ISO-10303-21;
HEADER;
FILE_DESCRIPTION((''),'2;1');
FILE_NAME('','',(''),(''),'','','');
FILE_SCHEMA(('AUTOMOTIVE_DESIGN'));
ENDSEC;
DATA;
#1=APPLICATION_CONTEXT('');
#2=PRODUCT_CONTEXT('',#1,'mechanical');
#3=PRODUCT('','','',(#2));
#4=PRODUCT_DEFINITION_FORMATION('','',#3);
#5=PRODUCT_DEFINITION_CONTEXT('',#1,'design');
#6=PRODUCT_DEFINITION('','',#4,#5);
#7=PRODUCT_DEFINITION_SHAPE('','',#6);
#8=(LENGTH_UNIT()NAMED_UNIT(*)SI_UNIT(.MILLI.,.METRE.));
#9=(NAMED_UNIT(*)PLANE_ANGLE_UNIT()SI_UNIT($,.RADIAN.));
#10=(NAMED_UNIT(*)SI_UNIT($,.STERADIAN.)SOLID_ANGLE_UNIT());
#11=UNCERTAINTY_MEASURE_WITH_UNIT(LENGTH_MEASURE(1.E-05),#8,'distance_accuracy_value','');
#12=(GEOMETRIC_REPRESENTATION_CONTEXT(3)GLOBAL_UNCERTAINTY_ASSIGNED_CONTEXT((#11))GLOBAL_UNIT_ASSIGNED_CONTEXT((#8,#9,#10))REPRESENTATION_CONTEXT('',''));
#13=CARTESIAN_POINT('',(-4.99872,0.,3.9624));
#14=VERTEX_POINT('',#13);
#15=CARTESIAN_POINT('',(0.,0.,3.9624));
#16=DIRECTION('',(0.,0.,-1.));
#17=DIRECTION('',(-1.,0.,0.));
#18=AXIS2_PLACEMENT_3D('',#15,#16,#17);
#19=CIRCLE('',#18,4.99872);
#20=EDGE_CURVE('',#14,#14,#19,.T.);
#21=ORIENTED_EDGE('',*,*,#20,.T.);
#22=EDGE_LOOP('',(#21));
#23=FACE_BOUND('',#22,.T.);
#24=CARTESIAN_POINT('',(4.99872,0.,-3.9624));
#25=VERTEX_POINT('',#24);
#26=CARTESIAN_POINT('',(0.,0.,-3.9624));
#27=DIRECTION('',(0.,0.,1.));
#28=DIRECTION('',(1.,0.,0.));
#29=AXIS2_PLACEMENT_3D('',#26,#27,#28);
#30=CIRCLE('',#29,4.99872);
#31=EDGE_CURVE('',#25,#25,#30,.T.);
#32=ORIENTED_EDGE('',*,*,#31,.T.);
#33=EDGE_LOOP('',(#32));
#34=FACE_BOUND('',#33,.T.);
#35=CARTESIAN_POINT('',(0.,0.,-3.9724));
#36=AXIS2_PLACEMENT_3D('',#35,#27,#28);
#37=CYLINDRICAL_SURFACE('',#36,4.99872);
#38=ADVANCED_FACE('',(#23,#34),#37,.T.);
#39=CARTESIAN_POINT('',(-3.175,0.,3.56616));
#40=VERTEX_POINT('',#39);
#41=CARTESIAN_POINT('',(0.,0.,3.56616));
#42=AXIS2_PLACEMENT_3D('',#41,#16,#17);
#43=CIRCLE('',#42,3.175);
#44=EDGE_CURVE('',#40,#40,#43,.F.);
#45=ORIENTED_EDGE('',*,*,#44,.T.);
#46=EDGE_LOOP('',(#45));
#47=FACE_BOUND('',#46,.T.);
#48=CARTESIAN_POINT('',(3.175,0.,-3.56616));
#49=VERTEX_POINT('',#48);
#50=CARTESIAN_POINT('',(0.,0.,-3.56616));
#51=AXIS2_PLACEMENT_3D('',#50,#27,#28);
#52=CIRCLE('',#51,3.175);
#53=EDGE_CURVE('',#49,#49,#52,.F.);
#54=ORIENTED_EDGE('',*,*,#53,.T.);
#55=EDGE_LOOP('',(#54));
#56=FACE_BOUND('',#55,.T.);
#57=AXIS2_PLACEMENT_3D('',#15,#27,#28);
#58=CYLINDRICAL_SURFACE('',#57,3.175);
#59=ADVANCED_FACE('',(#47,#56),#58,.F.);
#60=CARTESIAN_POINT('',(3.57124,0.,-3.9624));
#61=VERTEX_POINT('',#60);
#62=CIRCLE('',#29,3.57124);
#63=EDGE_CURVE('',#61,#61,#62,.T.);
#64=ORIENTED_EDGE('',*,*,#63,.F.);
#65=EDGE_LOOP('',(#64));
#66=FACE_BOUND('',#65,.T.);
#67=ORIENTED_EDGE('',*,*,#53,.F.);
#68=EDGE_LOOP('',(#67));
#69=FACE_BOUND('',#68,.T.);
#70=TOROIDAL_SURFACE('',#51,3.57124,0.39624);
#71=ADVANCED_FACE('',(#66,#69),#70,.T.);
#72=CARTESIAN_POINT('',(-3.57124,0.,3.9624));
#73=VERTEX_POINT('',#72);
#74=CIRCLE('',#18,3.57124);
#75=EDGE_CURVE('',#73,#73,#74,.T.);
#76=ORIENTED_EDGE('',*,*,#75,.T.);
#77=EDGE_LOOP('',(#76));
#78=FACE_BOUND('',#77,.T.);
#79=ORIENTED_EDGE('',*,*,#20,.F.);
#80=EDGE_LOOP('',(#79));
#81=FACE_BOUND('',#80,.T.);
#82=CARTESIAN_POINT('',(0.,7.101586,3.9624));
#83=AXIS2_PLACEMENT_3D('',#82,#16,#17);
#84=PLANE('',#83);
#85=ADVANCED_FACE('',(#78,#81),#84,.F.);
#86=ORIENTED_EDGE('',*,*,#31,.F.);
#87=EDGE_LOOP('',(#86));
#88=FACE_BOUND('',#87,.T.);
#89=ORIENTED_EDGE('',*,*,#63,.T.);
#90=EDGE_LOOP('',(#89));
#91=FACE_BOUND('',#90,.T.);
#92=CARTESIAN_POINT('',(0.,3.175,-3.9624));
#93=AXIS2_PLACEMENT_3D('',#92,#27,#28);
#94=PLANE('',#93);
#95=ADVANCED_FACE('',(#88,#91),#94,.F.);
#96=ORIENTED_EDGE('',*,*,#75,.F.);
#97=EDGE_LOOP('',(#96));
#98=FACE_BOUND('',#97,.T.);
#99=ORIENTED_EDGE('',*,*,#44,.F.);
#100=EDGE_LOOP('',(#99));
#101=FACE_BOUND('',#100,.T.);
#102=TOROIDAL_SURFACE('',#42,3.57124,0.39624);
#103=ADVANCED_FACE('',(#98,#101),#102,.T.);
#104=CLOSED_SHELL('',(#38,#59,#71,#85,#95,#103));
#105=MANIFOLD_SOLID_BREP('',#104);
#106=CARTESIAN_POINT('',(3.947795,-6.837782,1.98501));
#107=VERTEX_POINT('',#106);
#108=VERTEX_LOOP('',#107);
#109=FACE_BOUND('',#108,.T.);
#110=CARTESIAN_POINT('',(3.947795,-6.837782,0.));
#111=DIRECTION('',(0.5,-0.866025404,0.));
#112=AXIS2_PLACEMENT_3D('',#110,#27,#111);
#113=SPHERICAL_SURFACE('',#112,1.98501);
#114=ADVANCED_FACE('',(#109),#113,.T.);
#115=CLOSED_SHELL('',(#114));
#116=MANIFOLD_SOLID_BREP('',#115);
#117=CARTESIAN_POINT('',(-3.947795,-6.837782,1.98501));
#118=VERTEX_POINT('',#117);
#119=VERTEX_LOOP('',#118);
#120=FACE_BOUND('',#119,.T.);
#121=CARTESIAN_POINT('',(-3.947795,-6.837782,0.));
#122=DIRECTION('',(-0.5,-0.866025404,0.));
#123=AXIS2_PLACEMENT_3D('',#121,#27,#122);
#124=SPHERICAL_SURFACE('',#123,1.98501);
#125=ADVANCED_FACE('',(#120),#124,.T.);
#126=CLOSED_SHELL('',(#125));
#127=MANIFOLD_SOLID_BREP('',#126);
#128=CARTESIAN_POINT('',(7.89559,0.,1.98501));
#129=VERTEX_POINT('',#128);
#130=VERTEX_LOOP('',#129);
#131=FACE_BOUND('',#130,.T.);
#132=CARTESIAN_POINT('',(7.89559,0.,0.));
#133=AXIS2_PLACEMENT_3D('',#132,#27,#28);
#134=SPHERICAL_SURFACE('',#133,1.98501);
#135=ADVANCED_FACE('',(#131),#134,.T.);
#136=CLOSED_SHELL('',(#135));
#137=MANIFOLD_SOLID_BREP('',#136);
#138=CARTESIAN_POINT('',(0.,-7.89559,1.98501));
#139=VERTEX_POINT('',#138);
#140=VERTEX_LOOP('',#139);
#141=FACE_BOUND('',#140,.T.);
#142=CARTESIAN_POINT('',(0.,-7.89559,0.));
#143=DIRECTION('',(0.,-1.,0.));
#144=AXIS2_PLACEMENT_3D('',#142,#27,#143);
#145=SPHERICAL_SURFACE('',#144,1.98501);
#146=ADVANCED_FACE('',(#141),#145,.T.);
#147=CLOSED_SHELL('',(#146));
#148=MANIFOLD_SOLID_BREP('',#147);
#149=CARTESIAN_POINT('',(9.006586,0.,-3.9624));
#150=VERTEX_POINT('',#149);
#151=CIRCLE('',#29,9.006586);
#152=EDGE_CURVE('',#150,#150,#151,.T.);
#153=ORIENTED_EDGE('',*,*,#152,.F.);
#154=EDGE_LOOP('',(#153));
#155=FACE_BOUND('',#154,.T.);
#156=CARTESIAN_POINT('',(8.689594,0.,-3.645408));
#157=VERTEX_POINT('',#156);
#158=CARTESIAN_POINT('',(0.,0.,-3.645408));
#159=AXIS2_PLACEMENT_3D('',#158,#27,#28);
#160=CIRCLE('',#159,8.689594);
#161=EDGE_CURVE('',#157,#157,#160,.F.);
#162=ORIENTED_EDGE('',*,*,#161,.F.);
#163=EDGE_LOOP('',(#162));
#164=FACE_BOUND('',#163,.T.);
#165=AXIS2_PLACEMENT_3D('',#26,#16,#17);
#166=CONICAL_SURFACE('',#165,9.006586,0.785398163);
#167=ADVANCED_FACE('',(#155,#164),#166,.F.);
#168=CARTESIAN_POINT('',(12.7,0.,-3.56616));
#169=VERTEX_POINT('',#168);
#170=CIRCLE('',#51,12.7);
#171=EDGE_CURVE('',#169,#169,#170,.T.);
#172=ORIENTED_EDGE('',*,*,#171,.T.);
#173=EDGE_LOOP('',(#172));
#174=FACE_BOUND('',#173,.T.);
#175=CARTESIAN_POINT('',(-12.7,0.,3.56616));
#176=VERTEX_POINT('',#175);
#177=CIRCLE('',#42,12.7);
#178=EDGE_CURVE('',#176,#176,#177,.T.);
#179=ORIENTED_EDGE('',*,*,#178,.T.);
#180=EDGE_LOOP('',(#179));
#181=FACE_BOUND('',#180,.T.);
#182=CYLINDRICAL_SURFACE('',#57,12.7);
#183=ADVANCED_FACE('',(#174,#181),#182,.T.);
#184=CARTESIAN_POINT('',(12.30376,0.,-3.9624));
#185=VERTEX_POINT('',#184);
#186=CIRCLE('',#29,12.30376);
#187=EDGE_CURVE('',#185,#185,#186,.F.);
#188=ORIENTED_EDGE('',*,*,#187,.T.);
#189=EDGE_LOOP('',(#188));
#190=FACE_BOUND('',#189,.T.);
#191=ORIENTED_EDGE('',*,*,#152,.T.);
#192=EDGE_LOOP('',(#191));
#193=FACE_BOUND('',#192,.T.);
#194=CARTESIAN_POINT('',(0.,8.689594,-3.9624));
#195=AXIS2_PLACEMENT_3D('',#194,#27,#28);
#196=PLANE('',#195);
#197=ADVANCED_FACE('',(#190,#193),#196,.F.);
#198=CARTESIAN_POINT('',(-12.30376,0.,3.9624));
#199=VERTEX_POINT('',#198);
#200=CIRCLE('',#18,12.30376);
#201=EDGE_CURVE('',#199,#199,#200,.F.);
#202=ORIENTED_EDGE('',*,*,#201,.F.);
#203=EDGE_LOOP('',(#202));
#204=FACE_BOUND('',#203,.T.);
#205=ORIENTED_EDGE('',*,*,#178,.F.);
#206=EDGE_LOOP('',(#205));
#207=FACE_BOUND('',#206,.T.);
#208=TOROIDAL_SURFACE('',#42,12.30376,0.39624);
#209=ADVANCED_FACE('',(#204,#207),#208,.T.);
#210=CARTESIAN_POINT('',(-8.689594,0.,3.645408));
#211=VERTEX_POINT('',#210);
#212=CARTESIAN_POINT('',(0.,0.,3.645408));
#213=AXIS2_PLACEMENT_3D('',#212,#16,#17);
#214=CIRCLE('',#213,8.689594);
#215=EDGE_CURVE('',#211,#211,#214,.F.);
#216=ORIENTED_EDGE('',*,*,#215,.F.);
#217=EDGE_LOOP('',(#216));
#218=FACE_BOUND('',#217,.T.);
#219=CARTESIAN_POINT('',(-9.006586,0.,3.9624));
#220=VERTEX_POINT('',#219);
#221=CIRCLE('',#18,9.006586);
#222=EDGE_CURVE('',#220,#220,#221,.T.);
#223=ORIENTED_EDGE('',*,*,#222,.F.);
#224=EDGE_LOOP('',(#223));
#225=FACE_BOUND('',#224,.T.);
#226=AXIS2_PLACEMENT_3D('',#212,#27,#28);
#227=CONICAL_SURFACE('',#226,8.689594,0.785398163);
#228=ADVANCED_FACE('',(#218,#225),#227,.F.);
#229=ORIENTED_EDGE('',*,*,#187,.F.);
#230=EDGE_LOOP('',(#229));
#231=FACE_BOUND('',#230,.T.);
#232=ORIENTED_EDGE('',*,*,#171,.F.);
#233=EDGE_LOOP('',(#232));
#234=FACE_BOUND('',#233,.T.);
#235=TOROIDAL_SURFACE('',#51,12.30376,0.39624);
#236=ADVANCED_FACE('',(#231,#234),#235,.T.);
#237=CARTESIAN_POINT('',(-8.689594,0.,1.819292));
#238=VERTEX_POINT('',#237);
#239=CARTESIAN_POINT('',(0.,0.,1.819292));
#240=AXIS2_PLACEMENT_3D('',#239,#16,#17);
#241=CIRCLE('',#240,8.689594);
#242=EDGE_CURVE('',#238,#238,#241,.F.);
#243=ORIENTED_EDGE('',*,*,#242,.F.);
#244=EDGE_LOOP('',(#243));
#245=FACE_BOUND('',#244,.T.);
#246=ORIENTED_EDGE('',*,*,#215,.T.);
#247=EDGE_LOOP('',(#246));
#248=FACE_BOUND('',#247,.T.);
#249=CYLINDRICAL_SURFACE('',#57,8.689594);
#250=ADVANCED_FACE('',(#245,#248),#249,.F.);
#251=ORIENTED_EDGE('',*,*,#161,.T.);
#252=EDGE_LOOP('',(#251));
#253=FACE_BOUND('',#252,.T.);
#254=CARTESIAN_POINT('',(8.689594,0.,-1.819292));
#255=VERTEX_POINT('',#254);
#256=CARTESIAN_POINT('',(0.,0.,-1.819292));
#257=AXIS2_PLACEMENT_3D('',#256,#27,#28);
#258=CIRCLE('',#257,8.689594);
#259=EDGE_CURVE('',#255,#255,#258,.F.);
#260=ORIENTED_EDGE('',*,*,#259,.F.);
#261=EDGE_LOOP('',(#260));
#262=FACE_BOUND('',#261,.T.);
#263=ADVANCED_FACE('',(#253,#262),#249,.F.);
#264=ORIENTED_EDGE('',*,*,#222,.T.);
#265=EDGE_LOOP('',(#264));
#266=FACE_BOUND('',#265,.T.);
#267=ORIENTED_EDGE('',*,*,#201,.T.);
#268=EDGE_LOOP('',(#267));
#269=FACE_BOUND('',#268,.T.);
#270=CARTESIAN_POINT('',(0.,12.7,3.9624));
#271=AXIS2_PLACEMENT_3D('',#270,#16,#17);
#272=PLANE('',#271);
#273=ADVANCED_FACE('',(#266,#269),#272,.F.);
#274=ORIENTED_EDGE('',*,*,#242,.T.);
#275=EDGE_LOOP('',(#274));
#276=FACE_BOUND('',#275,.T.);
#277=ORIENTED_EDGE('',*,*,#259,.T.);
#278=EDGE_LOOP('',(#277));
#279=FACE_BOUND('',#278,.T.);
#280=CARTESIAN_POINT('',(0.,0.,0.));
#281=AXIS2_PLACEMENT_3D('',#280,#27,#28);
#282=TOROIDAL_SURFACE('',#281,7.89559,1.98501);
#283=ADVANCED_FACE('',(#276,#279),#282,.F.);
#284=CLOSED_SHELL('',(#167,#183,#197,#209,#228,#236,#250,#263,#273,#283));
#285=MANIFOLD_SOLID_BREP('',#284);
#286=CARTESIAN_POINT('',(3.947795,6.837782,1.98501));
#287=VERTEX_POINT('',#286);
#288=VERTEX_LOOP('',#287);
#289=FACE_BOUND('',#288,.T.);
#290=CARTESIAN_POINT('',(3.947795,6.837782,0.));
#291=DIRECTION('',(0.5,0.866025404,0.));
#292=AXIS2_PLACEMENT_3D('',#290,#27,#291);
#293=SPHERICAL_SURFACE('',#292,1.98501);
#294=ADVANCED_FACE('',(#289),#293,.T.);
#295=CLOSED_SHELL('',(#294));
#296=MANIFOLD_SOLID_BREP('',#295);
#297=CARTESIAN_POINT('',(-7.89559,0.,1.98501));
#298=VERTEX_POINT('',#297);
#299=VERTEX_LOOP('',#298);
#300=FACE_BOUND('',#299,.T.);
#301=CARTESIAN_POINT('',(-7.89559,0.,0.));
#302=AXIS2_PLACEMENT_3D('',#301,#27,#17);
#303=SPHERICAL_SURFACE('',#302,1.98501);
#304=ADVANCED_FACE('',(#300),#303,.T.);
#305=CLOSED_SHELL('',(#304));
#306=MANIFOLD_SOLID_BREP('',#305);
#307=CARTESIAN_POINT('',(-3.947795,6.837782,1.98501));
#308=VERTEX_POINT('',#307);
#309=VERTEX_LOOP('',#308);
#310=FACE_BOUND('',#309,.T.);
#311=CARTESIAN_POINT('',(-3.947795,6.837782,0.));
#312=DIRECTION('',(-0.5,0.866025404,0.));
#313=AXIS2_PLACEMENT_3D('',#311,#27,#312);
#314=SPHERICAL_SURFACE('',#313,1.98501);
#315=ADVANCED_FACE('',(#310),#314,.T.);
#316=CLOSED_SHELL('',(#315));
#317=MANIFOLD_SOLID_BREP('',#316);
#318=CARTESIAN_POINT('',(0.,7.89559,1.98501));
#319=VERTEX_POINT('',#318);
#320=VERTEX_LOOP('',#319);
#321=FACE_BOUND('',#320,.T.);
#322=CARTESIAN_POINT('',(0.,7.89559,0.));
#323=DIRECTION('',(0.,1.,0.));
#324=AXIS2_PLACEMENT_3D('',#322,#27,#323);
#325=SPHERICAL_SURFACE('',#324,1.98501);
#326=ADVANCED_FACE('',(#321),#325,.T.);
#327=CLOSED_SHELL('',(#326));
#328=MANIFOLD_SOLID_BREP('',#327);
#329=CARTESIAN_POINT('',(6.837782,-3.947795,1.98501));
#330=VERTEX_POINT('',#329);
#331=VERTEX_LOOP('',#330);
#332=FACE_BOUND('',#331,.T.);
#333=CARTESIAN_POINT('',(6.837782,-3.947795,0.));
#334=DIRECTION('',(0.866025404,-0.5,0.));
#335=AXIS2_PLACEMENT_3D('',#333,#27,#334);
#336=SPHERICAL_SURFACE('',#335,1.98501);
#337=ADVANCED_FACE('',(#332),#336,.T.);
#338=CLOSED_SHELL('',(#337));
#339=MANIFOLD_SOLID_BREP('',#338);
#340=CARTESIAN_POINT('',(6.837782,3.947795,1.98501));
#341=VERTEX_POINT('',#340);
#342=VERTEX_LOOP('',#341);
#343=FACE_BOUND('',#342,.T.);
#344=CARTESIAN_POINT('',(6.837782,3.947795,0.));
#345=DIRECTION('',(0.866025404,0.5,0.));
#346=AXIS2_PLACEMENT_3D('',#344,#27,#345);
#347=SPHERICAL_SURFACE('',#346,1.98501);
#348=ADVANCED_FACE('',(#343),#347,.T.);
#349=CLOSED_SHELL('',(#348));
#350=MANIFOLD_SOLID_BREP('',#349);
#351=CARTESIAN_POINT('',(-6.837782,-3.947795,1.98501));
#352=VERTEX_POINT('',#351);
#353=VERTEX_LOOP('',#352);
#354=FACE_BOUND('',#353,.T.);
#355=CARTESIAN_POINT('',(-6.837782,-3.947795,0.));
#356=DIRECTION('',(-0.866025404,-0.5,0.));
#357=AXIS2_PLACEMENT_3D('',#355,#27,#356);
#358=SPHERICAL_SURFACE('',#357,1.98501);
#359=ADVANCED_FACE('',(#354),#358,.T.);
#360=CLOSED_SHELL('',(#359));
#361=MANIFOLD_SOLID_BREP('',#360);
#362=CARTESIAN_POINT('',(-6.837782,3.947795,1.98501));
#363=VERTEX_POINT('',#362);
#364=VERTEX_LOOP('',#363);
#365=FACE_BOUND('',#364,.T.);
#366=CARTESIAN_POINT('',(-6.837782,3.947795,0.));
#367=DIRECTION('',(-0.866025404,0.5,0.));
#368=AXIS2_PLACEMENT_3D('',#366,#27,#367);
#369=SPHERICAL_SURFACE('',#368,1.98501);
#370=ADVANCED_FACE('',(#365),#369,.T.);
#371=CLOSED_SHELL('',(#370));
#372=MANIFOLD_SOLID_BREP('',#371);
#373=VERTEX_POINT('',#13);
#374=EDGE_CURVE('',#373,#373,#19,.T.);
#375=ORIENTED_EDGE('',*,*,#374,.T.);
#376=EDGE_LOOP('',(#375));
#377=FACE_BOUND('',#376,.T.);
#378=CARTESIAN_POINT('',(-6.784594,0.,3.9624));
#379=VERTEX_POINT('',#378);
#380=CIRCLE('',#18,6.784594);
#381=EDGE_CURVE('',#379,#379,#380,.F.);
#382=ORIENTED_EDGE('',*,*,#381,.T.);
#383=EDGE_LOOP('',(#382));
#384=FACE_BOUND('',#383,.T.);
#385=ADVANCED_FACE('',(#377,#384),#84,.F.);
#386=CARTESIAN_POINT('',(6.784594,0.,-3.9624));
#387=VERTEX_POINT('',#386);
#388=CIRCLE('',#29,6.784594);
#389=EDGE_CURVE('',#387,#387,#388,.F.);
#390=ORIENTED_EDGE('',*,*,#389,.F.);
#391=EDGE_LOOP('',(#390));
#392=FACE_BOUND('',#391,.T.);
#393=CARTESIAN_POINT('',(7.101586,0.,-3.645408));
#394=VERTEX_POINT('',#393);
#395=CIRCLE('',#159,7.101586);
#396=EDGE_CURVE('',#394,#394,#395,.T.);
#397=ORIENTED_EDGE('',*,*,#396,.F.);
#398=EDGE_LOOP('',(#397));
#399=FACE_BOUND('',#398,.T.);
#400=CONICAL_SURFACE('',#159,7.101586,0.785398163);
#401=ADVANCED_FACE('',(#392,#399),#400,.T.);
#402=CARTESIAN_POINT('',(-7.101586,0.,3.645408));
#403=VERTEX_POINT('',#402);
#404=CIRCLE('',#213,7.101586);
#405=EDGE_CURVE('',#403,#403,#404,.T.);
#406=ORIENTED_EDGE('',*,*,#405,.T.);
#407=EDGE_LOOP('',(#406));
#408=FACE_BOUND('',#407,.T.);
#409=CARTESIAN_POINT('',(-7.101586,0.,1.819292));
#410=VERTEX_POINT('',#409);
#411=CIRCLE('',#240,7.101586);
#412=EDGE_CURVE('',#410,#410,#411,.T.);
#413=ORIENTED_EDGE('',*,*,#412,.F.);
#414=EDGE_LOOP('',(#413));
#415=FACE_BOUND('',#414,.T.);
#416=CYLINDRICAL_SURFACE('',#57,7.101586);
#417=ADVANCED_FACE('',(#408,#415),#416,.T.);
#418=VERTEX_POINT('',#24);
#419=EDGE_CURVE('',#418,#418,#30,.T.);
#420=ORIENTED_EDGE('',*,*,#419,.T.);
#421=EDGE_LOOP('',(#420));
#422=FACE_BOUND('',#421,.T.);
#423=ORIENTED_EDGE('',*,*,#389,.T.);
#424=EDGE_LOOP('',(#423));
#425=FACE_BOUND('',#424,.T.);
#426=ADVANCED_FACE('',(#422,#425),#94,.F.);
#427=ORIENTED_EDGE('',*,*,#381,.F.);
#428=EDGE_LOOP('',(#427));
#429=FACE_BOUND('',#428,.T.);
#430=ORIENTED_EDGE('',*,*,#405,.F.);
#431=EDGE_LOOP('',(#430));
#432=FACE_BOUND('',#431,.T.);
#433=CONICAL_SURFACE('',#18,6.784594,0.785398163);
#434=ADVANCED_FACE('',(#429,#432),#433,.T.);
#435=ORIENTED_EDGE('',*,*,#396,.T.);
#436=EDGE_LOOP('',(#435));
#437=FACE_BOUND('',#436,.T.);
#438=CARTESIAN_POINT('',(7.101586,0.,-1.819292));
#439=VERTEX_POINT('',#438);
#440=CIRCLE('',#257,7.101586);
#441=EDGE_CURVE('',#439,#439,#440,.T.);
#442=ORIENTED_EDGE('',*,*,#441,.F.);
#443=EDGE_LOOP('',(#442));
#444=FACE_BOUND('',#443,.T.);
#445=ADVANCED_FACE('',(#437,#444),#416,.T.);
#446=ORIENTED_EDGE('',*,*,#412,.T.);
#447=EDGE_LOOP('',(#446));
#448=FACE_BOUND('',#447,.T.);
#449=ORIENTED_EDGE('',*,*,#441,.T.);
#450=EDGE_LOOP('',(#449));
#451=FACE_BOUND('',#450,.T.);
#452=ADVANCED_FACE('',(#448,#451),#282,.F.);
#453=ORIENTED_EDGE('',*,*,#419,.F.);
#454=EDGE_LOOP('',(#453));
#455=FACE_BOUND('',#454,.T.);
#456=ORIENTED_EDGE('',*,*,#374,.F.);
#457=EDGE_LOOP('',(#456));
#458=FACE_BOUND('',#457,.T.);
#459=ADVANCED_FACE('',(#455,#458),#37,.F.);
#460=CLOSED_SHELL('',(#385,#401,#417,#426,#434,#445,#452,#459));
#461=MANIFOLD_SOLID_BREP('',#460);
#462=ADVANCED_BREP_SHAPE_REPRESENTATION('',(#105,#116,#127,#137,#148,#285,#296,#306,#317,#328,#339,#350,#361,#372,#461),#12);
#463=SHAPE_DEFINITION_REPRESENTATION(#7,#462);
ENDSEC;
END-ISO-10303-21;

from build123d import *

# Parameters (mm, degrees)
SKETCH3_W              = 7.9248
SKETCH3_H              = 3.926586
SKETCH3_H_2            = 4.010406
SKETCH4_R              = 1.98501
CIRPATTERN1_COUNT      = 12
FILLET1_R              = 0.39624
FILLET2_R              = 0.39624
CHAMFER1_SIZE          = 0.316992
CHAMFER2_SIZE          = 0.316992
SPLIT1_SURFACE_1_BACK  = 37.785
SPLIT1_SURFACE_1_DEPTH = 75.57
SPLIT1_SURFACE_2_BACK  = 37.785
SPLIT1_SURFACE_2_DEPTH = 75.57


with BuildPart() as part:
    # Sketch3 → Revolve2 (revolve)
    with BuildSketch(Plane(origin=(0, 0, 0), x_dir=(0, 0, -1), z_dir=(1, 0, 0)), mode=Mode.PRIVATE) as revolve2_sk:
        with Locations((0, 5.138293)):
            Rectangle(SKETCH3_W, SKETCH3_H)
        with Locations((0, 10.694797)):
            Rectangle(SKETCH3_W, SKETCH3_H_2)
    revolve(revolve2_sk.sketch.rotate(Axis((0, 0, 3.9624), (0, 0, -1)), 90), axis=Axis((0, 0, 3.9624), (0, 0, -1)))

    # Sketch4 → Cut-Revolve1 (revolve, cut)
    with BuildSketch(Plane(origin=(0, 0, 0), x_dir=(0, 0, -1), z_dir=(1, 0, 0)), mode=Mode.PRIVATE) as cut_revolve1_sk:
        with Locations((0, 7.89559)):
            Circle(SKETCH4_R)
    revolve(cut_revolve1_sk.sketch.rotate(Axis((0, 0, 3.9624), (0, 0, -1)), 90), axis=Axis((0, 0, 3.9624), (0, 0, -1)), mode=Mode.SUBTRACT)

    # Fillet1
    fillet1_edges = [part.edges().sort_by_distance(p)[0] for p in [
        (-12.7, 0, -3.9624),
        (-12.7, 0, 3.9624),
    ]]
    fillet(fillet1_edges, radius=FILLET1_R)

    # Fillet2
    fillet2_edges = [part.edges().sort_by_distance(p)[0] for p in [
        (-3.175, 0, 3.9624),
        (-3.175, 0, -3.9624),
    ]]
    fillet(fillet2_edges, radius=FILLET2_R)

    # Chamfer1
    chamfer1_edges = [part.edges().sort_by_distance(p)[0] for p in [
        (-8.689594, 0, -3.9624),
        (-8.689594, 0, 3.9624),
    ]]
    chamfer(chamfer1_edges, length=CHAMFER1_SIZE)

    # Chamfer2
    chamfer2_edges = [part.edges().sort_by_distance(p)[0] for p in [
        (-7.101586, 0, 3.9624),
        (-7.101586, 0, -3.9624),
    ]]
    chamfer(chamfer2_edges, length=CHAMFER2_SIZE)


with BuildPart() as body_2:
    # Sketch5 → Revolve3 (revolve)
    with BuildSketch(Plane(origin=(0, 0, 0), x_dir=(0, 0, -1), z_dir=(1, 0, 0))):
        with BuildLine():
            Line((-1.98501, 7.89559), (1.98501, 7.89559))
            ThreePointArc((1.98501, 7.89559), (0, 9.8806), (-1.98501, 7.89559))
        make_face()
    revolve(axis=Axis((0, 7.89559, 1.98501), (0, 0, -1)))


with BuildPart() as cirpattern1_1:
    # CirPattern1: pattern copy
    add(body_2.part.rotate(Axis((0, 0, 0), (0, 0, 1)), 1 * 360 / CIRPATTERN1_COUNT))


with BuildPart() as cirpattern1_2:
    # CirPattern1: pattern copy
    add(body_2.part.rotate(Axis((0, 0, 0), (0, 0, 1)), 2 * 360 / CIRPATTERN1_COUNT))


with BuildPart() as cirpattern1_3:
    # CirPattern1: pattern copy
    add(body_2.part.rotate(Axis((0, 0, 0), (0, 0, 1)), 3 * 360 / CIRPATTERN1_COUNT))


with BuildPart() as cirpattern1_4:
    # CirPattern1: pattern copy
    add(body_2.part.rotate(Axis((0, 0, 0), (0, 0, 1)), 4 * 360 / CIRPATTERN1_COUNT))


with BuildPart() as cirpattern1_5:
    # CirPattern1: pattern copy
    add(body_2.part.rotate(Axis((0, 0, 0), (0, 0, 1)), 5 * 360 / CIRPATTERN1_COUNT))


with BuildPart() as cirpattern1_6:
    # CirPattern1: pattern copy
    add(body_2.part.rotate(Axis((0, 0, 0), (0, 0, 1)), 6 * 360 / CIRPATTERN1_COUNT))


with BuildPart() as cirpattern1_7:
    # CirPattern1: pattern copy
    add(body_2.part.rotate(Axis((0, 0, 0), (0, 0, 1)), 7 * 360 / CIRPATTERN1_COUNT))


with BuildPart() as cirpattern1_8:
    # CirPattern1: pattern copy
    add(body_2.part.rotate(Axis((0, 0, 0), (0, 0, 1)), 8 * 360 / CIRPATTERN1_COUNT))


with BuildPart() as cirpattern1_9:
    # CirPattern1: pattern copy
    add(body_2.part.rotate(Axis((0, 0, 0), (0, 0, 1)), 9 * 360 / CIRPATTERN1_COUNT))


with BuildPart() as cirpattern1_10:
    # CirPattern1: pattern copy
    add(body_2.part.rotate(Axis((0, 0, 0), (0, 0, 1)), 10 * 360 / CIRPATTERN1_COUNT))


with BuildPart() as cirpattern1_11:
    # CirPattern1: pattern copy
    add(body_2.part.rotate(Axis((0, 0, 0), (0, 0, 1)), 11 * 360 / CIRPATTERN1_COUNT))


with BuildPart() as body_14:
    # Split1: the piece behind the surface
    add(part.part)
    # Split1 surface: a surface, the sketch's curves swept straight by 75.57 mm
    with BuildLine(Plane.XY.offset(-SPLIT1_SURFACE_1_BACK), mode=Mode.PRIVATE) as split1_surface_1_path:
        CenterArc((0, 0), 4.99872, 0, 360)
    split1_surface_1 = Shell.extrude(split1_surface_1_path.wire(), (0 * SPLIT1_SURFACE_1_DEPTH, 0 * SPLIT1_SURFACE_1_DEPTH, 1 * SPLIT1_SURFACE_1_DEPTH))
    split(bisect_by=split1_surface_1, keep=Keep.BOTTOM)


with BuildPart() as part_1:
    add(part.part)

    # Split1: split by a surface, the side it looks to stays
    # Split1 surface: a surface, the sketch's curves swept straight by 75.57 mm
    with BuildLine(Plane.XY.offset(-SPLIT1_SURFACE_2_BACK), mode=Mode.PRIVATE) as split1_surface_2_path:
        CenterArc((0, 0), 4.99872, 0, 360)
    split1_surface_2 = Shell.extrude(split1_surface_2_path.wire(), (0 * SPLIT1_SURFACE_2_DEPTH, 0 * SPLIT1_SURFACE_2_DEPTH, 1 * SPLIT1_SURFACE_2_DEPTH))
    split(bisect_by=split1_surface_2, keep=Keep.TOP)


solid = Compound([body_2.part, cirpattern1_1.part, cirpattern1_2.part, cirpattern1_3.part, cirpattern1_4.part, cirpattern1_5.part, cirpattern1_6.part, cirpattern1_7.part, cirpattern1_8.part, cirpattern1_9.part, cirpattern1_10.part, cirpattern1_11.part, body_14.part, part_1.part])
